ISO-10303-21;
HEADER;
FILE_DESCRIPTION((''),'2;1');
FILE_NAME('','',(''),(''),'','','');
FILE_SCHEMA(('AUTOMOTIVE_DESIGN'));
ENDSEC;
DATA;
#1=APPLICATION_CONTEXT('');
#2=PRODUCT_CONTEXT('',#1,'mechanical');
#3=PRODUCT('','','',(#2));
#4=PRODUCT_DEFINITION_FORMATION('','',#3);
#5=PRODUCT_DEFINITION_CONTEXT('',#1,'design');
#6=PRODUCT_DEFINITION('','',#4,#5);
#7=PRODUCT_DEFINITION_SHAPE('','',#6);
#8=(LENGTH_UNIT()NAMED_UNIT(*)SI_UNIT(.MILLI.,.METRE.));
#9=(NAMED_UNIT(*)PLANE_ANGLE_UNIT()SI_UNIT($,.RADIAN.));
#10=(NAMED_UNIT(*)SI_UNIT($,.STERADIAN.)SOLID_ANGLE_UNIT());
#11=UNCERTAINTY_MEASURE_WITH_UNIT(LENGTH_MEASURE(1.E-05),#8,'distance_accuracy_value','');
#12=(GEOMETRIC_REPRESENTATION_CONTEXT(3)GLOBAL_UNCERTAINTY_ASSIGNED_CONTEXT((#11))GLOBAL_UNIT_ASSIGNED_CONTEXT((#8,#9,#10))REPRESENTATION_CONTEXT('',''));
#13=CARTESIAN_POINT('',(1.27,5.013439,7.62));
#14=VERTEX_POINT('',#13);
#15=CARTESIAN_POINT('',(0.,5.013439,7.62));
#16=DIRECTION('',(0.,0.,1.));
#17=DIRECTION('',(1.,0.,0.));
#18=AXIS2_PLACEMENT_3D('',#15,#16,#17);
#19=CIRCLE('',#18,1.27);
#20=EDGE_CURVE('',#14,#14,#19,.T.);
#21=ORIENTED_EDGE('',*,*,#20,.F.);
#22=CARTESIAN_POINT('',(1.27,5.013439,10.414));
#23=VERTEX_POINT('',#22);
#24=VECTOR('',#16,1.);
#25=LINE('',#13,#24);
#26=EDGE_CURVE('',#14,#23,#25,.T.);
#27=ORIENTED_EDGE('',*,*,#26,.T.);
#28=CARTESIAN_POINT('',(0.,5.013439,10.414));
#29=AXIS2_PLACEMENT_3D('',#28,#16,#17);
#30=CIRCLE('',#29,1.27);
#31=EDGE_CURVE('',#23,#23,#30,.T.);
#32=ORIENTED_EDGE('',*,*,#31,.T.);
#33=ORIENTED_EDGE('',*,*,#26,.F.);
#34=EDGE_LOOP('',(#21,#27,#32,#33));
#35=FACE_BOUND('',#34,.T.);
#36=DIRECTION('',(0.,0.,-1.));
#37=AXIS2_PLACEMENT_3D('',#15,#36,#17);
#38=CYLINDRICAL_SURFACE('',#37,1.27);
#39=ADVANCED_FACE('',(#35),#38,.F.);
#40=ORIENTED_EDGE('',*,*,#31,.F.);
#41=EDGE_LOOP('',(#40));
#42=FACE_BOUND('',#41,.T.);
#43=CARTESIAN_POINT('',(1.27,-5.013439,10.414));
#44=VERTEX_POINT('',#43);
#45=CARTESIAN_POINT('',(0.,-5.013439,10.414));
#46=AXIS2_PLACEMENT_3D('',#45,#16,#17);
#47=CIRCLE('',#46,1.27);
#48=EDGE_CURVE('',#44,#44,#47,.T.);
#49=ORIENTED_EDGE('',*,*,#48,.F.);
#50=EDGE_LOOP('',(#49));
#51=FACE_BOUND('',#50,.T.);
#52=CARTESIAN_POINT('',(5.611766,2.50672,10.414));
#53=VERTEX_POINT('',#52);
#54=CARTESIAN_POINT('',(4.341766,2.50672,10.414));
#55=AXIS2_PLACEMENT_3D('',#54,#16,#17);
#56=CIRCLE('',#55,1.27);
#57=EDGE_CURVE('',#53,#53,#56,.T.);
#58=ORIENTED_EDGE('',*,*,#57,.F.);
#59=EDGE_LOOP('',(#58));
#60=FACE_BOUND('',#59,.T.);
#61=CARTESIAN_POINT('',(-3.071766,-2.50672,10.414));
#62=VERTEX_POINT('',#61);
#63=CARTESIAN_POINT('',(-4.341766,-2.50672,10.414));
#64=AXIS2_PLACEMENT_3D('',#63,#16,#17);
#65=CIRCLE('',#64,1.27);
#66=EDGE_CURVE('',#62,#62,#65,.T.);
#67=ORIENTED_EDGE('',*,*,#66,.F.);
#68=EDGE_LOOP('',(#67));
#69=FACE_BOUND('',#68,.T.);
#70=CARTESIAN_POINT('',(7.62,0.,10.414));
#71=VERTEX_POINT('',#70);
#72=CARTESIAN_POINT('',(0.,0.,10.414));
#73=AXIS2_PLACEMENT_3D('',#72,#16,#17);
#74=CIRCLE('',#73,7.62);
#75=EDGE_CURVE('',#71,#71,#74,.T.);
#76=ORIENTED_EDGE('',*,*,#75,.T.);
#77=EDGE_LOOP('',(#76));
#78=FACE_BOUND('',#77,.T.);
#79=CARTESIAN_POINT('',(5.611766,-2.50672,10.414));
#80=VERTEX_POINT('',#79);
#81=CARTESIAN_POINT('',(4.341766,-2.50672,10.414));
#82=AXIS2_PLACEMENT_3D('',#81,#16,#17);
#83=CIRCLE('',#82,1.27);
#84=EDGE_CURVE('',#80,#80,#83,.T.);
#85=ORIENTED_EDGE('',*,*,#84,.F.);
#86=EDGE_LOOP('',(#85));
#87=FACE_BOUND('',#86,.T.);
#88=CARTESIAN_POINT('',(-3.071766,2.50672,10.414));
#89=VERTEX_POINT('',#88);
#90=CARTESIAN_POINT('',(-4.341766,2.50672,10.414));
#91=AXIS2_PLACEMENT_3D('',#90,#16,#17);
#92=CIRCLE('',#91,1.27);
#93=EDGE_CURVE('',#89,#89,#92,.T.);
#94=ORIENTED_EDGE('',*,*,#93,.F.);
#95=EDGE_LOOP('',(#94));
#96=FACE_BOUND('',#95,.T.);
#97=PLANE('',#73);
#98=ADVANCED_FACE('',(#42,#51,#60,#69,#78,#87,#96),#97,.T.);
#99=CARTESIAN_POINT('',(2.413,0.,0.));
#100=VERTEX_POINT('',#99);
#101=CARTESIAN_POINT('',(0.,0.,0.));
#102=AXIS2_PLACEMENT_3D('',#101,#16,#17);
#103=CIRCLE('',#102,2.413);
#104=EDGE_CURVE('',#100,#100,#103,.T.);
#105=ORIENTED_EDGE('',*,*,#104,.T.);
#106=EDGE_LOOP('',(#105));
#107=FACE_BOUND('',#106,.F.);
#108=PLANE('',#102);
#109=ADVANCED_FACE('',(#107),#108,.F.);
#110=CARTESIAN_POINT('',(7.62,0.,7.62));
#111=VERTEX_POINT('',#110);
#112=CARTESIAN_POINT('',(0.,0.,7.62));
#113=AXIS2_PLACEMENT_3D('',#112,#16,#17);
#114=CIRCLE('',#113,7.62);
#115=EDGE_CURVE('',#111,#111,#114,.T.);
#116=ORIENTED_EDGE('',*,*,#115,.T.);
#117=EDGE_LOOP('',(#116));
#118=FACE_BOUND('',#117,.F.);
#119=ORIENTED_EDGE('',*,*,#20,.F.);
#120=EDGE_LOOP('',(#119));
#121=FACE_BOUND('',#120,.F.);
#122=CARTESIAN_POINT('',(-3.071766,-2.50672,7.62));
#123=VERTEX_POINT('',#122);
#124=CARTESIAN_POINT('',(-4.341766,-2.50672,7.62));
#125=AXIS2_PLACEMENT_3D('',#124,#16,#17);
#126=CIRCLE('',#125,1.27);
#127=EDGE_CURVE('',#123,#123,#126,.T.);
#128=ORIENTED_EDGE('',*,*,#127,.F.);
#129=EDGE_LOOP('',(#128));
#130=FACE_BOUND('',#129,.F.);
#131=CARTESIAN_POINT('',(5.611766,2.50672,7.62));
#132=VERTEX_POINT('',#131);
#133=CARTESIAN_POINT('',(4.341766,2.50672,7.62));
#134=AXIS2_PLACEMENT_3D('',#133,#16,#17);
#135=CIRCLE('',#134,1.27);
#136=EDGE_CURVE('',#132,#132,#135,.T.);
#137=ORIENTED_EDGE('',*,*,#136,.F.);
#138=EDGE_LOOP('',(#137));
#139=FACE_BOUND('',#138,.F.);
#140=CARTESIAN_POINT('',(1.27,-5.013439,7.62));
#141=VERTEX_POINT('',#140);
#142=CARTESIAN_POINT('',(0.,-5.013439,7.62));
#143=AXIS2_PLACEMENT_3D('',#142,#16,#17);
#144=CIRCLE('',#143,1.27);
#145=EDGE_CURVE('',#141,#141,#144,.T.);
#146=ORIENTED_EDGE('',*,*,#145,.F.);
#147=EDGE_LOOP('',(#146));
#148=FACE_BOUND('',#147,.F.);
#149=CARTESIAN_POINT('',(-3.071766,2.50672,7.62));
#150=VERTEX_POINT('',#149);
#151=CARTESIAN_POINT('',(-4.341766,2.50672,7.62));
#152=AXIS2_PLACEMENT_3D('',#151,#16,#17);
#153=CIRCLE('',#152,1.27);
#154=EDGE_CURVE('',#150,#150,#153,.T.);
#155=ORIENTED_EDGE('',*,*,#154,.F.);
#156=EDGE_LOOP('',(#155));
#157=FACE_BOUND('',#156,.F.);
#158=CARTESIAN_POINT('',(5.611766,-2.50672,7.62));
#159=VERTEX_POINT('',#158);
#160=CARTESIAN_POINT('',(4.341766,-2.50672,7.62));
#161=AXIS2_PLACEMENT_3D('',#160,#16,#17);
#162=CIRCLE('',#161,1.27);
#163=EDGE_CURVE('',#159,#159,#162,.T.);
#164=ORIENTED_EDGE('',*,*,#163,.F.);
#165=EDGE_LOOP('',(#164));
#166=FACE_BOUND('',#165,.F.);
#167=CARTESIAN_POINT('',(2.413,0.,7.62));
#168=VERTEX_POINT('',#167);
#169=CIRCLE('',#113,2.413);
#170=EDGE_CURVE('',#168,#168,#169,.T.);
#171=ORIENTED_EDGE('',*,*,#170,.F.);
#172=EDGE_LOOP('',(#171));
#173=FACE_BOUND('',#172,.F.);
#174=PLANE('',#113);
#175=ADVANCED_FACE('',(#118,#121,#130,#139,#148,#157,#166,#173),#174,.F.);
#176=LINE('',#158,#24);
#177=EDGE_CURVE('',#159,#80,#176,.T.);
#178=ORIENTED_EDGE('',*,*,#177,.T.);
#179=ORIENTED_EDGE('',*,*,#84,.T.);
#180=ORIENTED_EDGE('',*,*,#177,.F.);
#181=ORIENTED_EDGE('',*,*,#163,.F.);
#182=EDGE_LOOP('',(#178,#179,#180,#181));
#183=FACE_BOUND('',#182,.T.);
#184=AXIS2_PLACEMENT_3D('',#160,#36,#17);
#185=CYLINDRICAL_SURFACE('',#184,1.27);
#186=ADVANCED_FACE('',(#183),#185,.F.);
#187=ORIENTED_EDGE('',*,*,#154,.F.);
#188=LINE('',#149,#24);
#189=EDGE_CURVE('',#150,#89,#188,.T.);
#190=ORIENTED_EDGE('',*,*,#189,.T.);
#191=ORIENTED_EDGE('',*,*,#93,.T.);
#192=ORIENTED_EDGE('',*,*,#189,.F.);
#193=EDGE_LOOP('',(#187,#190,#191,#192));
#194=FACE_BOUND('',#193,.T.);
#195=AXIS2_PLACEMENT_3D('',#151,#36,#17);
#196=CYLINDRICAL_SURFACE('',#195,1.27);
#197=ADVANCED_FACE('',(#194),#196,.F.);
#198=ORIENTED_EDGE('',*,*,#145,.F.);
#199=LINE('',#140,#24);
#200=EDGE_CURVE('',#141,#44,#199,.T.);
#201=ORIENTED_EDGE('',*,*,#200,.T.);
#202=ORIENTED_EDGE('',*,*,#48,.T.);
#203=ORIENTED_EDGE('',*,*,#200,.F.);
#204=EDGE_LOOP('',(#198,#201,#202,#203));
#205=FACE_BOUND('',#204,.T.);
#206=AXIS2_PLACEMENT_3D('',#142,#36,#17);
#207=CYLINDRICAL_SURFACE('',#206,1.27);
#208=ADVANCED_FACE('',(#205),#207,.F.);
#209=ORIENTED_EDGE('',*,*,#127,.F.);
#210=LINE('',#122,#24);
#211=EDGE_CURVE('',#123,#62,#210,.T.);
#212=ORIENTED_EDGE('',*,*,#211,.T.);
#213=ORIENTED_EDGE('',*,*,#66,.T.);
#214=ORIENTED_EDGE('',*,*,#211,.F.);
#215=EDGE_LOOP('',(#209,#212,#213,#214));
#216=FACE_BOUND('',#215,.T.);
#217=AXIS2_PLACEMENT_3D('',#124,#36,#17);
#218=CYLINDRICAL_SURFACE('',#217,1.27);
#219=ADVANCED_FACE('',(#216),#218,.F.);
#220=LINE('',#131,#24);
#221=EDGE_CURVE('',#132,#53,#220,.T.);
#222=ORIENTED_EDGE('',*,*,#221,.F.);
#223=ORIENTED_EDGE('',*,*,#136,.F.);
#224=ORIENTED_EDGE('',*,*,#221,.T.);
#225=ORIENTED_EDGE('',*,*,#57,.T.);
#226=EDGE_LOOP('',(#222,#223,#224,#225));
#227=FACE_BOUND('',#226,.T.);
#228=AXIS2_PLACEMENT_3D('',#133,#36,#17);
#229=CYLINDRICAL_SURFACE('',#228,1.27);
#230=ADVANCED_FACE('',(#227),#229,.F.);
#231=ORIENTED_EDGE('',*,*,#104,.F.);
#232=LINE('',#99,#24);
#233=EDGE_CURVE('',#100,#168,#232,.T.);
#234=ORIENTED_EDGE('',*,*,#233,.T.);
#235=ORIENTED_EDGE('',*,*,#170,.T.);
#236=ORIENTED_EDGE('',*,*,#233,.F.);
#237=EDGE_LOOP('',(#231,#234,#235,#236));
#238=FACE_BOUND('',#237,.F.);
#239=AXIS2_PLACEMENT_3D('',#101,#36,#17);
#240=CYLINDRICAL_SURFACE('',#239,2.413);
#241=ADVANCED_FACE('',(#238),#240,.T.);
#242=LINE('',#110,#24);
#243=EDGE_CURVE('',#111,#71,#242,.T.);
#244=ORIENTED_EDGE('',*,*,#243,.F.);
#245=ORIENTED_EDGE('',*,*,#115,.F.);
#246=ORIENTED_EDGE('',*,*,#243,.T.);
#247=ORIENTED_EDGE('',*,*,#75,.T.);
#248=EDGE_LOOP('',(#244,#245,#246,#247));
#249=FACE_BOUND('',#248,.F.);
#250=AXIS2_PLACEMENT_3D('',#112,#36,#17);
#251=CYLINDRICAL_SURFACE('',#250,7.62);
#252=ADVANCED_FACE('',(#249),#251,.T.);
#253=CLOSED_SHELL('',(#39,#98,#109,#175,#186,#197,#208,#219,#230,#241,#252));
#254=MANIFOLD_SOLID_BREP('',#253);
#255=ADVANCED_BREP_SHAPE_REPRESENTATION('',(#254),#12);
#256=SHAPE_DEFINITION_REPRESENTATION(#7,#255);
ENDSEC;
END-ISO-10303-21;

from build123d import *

# Parameters (mm, degrees)
F0_R     = 2.413
F1_DEPTH = 7.62
F2_R     = 7.62
F2_R_2   = 1.27
F3_DEPTH = 2.794


with BuildPart() as f1:
    # F0 (on Top) → F1 (new body)
    with BuildSketch(Plane.XY):
        Circle(F0_R)
    extrude(amount=F1_DEPTH)

    # F2 (on face) → F3 (join)
    with BuildSketch(Plane.XY.offset(7.62)):
        Circle(F2_R)
        with Locations((-4.341766, -2.50672)):
            Circle(F2_R_2, mode=Mode.SUBTRACT)
        with Locations((0, -5.013439)):
            Circle(F2_R_2, mode=Mode.SUBTRACT)
        with Locations((4.341766, -2.50672)):
            Circle(F2_R_2, mode=Mode.SUBTRACT)
        with Locations((-4.341766, 2.50672)):
            Circle(F2_R_2, mode=Mode.SUBTRACT)
        with Locations((4.341766, 2.50672)):
            Circle(F2_R_2, mode=Mode.SUBTRACT)
        with Locations((0, 5.013439)):
            Circle(F2_R_2, mode=Mode.SUBTRACT)
    extrude(amount=F3_DEPTH)


solid = f1.part
